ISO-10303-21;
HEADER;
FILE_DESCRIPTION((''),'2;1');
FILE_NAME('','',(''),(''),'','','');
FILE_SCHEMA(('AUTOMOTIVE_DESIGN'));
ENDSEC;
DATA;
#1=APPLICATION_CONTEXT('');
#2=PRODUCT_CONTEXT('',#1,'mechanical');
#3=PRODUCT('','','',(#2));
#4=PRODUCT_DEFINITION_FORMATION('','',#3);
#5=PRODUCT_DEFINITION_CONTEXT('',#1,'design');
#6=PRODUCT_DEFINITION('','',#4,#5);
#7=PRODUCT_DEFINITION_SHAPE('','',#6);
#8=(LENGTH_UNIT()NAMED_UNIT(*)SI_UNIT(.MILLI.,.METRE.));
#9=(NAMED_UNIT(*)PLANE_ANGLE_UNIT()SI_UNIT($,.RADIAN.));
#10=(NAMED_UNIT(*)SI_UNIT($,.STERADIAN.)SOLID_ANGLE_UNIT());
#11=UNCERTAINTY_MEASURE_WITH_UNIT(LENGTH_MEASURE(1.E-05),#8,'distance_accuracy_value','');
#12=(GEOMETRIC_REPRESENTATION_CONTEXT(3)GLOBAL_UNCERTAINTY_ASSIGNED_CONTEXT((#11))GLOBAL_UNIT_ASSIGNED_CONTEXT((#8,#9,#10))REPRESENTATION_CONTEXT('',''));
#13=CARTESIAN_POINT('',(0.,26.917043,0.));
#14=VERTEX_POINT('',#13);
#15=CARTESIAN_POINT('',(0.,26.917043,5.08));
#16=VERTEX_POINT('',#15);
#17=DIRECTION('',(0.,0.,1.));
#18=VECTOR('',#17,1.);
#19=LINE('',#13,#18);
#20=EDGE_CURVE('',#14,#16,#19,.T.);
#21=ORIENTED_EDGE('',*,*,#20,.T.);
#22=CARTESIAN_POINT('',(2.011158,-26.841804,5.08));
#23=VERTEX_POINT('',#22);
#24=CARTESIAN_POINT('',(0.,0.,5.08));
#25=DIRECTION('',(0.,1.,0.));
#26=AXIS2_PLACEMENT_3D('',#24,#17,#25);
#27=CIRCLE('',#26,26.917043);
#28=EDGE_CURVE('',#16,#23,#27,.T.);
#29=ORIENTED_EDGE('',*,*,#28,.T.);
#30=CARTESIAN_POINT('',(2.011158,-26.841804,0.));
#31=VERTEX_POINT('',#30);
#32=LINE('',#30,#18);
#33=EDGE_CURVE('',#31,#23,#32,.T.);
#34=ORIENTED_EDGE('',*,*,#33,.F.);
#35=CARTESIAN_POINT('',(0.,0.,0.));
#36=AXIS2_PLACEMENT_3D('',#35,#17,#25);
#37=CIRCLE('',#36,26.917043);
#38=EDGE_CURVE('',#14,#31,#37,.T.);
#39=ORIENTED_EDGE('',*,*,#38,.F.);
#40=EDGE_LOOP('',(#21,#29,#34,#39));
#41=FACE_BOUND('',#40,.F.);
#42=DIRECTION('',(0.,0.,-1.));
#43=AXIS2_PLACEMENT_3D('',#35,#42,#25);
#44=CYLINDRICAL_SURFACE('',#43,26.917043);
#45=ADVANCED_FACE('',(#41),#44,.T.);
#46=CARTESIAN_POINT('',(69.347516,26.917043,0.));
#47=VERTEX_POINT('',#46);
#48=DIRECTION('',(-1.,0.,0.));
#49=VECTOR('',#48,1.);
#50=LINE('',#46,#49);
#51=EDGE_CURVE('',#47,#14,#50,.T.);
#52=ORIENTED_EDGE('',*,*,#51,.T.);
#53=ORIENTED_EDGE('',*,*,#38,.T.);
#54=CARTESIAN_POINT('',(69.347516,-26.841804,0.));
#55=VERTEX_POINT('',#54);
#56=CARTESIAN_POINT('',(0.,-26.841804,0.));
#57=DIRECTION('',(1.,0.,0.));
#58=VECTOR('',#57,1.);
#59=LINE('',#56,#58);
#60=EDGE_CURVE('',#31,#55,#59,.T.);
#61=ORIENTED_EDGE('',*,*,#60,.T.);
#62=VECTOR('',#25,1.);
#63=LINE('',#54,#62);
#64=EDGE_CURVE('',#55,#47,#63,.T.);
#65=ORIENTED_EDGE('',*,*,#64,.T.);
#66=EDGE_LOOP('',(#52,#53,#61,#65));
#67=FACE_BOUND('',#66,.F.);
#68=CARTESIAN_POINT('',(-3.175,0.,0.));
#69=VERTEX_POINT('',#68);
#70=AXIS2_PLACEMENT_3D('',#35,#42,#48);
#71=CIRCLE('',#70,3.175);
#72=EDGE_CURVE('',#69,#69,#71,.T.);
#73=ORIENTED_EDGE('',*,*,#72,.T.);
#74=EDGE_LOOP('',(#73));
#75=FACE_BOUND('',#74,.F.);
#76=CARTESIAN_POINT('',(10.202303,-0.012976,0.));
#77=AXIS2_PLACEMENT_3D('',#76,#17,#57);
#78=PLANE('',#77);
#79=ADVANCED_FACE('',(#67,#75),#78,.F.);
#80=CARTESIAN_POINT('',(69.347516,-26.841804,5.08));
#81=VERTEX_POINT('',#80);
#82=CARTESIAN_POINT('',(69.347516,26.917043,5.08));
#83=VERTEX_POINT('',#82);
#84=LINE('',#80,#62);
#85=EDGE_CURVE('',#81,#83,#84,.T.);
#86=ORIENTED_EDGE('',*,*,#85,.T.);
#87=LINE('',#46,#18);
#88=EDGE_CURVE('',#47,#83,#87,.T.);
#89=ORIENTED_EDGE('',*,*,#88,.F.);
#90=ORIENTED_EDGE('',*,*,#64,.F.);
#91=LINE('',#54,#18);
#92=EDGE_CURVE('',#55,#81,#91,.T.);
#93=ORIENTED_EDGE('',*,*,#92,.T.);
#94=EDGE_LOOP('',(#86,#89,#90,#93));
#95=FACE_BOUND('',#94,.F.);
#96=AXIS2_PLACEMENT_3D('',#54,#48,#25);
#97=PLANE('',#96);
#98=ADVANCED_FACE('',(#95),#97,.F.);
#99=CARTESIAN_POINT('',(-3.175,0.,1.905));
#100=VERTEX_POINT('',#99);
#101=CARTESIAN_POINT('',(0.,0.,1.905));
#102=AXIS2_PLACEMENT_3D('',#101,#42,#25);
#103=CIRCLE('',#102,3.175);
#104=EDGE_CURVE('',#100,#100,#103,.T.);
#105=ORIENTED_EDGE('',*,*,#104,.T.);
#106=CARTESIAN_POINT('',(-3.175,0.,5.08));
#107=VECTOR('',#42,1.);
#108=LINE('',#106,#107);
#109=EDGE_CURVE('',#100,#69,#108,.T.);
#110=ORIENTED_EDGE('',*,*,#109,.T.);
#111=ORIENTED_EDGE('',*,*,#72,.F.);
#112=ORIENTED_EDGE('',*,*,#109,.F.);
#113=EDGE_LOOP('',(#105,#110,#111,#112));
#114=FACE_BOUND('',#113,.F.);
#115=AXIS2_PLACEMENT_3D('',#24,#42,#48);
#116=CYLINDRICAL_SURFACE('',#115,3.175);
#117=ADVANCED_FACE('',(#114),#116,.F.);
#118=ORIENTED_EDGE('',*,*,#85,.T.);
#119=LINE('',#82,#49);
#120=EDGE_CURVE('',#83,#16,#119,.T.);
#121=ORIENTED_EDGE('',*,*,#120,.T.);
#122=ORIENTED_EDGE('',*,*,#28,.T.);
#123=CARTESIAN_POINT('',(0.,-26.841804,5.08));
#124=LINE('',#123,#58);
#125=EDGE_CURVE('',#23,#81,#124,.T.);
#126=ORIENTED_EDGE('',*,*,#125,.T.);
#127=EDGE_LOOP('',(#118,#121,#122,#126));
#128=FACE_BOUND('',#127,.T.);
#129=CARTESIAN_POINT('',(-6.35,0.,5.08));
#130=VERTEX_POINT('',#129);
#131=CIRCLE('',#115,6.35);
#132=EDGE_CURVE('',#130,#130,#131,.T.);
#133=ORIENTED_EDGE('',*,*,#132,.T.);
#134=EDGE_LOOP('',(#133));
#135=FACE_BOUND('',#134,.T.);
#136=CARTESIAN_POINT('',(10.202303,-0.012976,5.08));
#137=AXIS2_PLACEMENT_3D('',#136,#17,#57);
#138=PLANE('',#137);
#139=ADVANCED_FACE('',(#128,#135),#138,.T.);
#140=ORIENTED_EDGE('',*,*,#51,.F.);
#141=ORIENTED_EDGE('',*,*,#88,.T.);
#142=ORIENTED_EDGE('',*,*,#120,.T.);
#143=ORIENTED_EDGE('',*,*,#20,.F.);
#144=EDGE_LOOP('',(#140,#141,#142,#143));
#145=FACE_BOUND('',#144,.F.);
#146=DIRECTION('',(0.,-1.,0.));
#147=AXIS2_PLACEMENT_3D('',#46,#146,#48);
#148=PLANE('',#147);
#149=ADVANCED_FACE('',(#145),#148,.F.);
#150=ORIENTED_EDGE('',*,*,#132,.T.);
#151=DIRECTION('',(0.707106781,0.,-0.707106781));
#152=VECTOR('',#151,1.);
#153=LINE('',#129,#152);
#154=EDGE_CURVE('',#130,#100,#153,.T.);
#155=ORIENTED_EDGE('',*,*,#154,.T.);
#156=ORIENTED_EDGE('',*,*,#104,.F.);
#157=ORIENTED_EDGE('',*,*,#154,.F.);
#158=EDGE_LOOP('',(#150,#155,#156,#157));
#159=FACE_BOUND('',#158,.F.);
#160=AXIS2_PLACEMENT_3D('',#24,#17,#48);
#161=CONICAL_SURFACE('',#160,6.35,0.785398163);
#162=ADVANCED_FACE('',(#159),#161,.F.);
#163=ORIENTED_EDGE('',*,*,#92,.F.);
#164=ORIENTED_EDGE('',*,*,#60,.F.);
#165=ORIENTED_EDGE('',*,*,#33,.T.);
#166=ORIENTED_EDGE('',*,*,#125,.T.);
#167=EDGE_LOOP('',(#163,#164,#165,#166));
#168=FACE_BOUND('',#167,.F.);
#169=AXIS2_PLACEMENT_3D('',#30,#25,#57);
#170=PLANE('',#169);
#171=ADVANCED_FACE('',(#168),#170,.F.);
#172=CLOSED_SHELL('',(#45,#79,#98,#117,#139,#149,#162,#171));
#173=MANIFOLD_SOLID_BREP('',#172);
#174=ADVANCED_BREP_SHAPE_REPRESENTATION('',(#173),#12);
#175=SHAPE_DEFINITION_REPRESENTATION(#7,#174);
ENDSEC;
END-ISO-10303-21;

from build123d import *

# Parameters (mm, degrees)
F1_DEPTH       = 5.08
F3_D           = 6.35
F3_CSINK_D     = 12.7
F3_CSINK_ANGLE = 90


with BuildPart() as f1:
    # F0 (on Top) → F1 (new body)
    with BuildSketch(Plane.XY):
        with BuildLine():
            ThreePointArc((2.0111581622, -26.8418043852), (19.731467902, -18.3083695134), (26.9170432961, 0))
            ThreePointArc((26.9170432961, 0), (19.0332238442, 19.0332238442), (0, 26.9170432961))
            Line((0, 26.9170432961), (0, -26.8418043852))
            Line((0, -26.8418043852), (2.0111581622, -26.8418043852))
        make_face()
        with BuildLine():
            ThreePointArc((0, 26.9170432961), (19.0332238442, 19.0332238442), (26.9170432961, 0))
            ThreePointArc((26.9170432961, 0), (19.731467902, -18.3083695134), (2.0111581622, -26.8418043852))
            Line((2.0111581622, -26.8418043852), (69.3475157022, -26.8418043852))
            Line((69.3475157022, -26.8418043852), (69.3475157022, 26.9170432961))
            Line((69.3475157022, 26.9170432961), (0, 26.9170432961))
        make_face()
        with BuildLine():
            Line((0, -26.8418043852), (0, 26.9170432961))
            ThreePointArc((0, 26.9170432961), (-26.8982269916, -1.0062825209), (2.0111581622, -26.8418043852))
            Line((2.0111581622, -26.8418043852), (0, -26.8418043852))
        make_face()
    extrude(amount=F1_DEPTH)

    # F3 (through all)
    with Locations(Plane.XY.offset(5.08)):
        with Locations((0, 0)):
            CounterSinkHole(F3_D / 2, F3_CSINK_D / 2, counter_sink_angle=F3_CSINK_ANGLE)


solid = f1.part
